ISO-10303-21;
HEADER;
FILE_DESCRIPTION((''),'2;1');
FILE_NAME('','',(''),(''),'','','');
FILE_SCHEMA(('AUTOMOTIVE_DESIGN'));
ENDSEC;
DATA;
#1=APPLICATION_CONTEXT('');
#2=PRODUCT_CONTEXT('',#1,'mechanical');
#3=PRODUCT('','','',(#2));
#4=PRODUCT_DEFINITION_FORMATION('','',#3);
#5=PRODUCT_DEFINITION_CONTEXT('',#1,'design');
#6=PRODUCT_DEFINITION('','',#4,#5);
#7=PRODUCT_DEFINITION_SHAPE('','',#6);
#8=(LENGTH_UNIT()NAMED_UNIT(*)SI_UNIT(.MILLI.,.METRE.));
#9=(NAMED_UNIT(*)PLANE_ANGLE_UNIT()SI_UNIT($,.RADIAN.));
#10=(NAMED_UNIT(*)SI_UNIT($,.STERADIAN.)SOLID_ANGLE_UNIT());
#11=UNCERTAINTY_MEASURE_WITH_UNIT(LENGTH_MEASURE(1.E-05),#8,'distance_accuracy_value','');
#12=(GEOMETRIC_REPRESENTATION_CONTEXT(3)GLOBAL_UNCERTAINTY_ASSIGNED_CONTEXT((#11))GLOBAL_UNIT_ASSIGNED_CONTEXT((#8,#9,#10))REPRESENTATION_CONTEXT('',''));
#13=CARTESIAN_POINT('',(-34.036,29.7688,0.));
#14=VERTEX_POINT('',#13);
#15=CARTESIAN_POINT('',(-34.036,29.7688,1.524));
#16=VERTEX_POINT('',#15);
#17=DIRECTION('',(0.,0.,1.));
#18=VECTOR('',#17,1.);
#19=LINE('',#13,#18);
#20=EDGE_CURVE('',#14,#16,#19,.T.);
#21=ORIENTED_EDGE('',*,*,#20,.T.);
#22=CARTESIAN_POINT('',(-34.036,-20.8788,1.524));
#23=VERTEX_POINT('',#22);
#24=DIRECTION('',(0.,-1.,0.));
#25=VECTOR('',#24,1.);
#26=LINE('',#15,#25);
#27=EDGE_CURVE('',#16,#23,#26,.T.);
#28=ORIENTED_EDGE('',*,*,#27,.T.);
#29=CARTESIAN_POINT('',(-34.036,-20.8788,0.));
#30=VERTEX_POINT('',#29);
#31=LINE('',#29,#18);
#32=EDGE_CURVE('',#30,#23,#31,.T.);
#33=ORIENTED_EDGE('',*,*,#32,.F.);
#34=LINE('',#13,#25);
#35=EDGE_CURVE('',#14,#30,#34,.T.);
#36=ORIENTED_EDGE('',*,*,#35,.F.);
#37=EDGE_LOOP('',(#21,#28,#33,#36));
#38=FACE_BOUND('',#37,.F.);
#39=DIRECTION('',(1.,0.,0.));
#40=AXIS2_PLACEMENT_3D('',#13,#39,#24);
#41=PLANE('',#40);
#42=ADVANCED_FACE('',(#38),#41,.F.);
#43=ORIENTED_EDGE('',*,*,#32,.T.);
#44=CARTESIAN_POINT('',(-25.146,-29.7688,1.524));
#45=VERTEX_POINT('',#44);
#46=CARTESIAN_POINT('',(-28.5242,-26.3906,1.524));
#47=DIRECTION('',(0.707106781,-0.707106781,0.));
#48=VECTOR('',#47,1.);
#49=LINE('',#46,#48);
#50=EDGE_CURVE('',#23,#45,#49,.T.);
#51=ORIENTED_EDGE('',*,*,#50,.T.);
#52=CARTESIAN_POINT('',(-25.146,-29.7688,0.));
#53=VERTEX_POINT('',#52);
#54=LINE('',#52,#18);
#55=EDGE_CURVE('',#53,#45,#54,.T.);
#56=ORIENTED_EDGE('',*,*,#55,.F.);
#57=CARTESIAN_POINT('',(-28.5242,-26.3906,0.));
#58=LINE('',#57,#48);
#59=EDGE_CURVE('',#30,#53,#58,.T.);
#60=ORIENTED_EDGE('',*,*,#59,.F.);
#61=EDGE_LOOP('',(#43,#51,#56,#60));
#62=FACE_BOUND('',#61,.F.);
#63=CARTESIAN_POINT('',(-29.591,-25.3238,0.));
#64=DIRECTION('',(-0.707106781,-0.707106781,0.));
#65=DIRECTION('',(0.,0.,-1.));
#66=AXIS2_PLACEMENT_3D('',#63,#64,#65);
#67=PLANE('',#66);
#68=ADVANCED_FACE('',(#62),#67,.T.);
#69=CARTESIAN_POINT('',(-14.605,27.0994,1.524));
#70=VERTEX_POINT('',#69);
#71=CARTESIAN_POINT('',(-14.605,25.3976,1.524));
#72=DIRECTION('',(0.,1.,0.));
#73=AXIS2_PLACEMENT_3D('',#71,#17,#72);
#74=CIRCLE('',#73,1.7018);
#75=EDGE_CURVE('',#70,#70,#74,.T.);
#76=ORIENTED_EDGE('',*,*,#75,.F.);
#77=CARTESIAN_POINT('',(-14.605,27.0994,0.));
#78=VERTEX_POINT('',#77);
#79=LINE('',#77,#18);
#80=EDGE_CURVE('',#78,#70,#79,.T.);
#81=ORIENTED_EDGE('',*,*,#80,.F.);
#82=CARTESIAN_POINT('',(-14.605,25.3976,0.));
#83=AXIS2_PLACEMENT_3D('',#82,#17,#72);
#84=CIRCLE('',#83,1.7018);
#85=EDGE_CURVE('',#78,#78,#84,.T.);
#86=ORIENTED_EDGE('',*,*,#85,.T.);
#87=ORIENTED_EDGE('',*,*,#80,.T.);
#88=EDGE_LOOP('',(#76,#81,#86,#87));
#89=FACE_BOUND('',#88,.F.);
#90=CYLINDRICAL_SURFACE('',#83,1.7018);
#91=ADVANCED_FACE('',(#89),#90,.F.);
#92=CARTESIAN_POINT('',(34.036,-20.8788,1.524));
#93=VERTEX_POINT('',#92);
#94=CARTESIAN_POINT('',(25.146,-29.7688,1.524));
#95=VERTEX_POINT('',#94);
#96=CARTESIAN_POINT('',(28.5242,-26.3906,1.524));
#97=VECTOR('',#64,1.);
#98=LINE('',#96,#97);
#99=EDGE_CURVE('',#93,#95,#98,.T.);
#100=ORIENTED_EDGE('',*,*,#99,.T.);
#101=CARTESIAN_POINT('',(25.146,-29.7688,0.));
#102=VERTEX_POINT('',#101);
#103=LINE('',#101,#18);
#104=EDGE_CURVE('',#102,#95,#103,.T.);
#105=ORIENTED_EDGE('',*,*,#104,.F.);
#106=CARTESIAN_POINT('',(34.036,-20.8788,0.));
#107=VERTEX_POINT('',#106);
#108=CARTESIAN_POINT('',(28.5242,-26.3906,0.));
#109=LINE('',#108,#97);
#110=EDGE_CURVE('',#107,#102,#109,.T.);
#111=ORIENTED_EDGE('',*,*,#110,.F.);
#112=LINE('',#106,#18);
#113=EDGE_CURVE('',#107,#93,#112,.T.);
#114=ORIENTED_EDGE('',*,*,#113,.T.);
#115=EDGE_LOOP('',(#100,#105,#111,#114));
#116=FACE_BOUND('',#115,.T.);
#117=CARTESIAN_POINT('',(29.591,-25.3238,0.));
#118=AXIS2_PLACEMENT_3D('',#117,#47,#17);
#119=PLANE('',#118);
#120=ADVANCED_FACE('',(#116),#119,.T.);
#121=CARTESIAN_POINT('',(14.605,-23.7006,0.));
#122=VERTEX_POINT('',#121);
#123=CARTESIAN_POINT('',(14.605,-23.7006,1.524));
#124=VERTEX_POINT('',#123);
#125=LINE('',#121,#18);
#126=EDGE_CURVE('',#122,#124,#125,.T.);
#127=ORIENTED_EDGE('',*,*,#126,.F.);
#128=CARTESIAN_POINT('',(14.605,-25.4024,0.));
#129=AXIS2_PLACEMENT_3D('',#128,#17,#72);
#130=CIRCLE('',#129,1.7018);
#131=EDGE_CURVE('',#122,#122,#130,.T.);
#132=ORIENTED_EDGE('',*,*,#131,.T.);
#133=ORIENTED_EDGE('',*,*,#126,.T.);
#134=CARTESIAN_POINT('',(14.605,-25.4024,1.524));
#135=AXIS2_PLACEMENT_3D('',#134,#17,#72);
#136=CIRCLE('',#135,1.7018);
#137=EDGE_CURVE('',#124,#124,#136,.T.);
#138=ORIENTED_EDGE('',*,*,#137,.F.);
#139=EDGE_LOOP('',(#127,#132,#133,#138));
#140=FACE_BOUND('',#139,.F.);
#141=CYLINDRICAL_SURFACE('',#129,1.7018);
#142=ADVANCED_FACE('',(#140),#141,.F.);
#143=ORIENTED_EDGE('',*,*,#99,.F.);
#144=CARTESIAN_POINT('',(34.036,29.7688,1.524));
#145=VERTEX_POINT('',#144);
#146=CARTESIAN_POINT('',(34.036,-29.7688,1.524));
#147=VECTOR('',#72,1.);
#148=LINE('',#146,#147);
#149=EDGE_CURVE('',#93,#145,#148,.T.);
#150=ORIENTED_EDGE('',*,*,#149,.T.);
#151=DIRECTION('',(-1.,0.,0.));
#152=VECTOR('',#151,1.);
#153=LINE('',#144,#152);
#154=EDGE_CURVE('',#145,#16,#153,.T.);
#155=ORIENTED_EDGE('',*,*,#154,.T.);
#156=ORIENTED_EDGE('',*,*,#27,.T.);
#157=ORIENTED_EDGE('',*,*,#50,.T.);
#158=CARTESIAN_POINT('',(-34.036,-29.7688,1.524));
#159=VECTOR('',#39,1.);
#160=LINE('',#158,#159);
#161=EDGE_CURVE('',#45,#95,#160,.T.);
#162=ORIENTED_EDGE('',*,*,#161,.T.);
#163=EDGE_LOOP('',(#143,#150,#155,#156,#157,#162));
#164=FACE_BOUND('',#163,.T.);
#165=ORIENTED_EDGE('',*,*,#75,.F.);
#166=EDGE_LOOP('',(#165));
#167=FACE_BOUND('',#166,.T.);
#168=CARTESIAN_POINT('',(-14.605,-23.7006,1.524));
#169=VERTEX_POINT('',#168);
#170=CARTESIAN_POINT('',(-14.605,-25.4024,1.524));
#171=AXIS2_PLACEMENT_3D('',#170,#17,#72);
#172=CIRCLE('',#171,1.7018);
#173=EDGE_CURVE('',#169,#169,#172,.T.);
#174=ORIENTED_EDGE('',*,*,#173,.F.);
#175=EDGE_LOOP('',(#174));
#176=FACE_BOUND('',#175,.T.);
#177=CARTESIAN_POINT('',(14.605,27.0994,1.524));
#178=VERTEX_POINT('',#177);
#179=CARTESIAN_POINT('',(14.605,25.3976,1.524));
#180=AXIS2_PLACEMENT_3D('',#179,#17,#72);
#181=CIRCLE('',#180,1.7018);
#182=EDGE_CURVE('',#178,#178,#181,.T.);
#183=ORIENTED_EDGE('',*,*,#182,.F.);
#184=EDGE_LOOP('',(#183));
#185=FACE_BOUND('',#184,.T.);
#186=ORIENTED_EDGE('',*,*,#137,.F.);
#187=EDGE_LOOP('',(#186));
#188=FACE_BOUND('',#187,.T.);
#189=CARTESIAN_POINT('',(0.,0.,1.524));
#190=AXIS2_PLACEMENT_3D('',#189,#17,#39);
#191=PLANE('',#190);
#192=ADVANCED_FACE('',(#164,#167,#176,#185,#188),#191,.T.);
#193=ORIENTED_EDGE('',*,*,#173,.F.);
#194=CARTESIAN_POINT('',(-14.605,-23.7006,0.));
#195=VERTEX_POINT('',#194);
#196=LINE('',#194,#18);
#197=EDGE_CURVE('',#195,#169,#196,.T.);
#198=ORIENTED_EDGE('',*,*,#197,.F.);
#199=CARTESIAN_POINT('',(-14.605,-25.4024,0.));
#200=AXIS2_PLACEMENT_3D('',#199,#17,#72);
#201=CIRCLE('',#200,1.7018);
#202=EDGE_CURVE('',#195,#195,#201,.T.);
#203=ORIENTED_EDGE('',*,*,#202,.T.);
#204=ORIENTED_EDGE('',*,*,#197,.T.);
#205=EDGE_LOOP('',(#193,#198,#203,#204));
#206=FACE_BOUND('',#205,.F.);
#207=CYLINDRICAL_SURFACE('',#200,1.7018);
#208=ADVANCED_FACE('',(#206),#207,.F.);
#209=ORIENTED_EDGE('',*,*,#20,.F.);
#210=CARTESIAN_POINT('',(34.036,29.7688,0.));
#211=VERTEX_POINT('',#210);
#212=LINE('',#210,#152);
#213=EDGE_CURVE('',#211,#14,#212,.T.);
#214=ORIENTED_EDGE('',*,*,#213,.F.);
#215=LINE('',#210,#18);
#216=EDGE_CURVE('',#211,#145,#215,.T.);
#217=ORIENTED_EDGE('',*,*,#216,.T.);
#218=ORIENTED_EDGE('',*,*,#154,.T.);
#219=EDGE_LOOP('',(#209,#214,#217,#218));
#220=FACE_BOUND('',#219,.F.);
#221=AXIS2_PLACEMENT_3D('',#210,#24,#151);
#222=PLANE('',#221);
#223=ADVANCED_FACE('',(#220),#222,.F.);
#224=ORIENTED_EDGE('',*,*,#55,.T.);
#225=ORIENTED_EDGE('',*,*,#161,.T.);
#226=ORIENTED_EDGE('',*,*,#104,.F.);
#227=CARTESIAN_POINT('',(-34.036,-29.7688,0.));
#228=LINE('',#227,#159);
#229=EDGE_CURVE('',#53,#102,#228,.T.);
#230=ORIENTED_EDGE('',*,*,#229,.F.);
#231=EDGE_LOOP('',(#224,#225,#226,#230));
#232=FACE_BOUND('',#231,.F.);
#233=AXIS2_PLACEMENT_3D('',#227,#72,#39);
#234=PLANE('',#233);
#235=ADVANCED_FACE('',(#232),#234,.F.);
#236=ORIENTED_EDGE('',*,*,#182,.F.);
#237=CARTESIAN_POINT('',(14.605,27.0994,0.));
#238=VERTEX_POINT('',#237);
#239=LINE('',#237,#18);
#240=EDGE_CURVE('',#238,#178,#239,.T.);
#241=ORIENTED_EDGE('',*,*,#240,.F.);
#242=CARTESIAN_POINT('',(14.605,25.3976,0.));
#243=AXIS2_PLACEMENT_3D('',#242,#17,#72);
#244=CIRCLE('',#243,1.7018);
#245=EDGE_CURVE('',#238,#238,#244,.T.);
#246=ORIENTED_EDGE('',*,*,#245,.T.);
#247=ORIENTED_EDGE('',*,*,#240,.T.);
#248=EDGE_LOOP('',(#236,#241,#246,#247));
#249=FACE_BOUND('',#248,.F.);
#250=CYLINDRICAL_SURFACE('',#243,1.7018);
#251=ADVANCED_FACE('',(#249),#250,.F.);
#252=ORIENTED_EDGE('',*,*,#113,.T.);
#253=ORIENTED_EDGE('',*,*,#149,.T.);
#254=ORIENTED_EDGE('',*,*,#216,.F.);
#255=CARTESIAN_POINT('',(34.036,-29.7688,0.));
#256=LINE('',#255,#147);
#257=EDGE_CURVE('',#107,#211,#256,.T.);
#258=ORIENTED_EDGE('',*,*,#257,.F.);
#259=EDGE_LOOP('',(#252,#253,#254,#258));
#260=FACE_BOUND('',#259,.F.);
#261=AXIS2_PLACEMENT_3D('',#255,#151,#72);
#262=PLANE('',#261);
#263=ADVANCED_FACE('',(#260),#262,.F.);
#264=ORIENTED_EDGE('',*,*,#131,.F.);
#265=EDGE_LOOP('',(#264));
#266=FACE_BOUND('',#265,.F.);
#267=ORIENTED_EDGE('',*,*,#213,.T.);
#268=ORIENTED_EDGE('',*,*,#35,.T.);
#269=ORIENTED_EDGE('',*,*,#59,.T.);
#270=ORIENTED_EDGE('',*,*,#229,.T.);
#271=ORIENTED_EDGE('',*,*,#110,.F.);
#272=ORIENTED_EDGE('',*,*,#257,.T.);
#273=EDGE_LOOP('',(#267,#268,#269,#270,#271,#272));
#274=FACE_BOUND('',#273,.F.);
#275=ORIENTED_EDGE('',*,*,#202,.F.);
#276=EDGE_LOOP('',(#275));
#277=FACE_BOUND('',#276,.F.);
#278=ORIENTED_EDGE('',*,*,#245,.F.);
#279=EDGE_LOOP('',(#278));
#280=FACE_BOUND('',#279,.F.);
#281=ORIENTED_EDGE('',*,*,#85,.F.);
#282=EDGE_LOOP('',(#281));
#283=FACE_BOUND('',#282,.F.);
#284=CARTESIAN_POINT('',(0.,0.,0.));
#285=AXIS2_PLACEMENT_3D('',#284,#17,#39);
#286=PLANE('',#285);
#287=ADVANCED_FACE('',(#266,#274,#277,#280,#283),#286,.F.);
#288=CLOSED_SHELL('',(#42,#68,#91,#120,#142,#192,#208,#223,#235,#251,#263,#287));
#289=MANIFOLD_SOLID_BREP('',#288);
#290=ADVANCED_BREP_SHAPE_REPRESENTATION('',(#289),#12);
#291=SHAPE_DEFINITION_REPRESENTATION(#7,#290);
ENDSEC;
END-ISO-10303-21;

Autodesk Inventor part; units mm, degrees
ref_plane "YZ Plane" through (0, 0, 0) normal (1, 0, 0) x (0, 1, 0)
ref_plane "XZ Plane" through (0, 0, 0) normal (0, 1, 0) x (-1, 0, 0)
ref_plane "XY Plane" through (0, 0, 0) normal (0, 0, 1) x (1, 0, 0)
sketch "Sketch1" plane through (0, 0, 0) normal (0, 0, 1) x (1, 0, 0)
  line L0 (-34.036, -29.7688) -> (34.036, -29.7688)
  line L1 (34.036, -29.7688) -> (34.036, 29.7688)
  line L2 (34.036, 29.7688) -> (-34.036, 29.7688)
  line L3 (-34.036, 29.7688) -> (-34.036, -29.7688)
  line L4 (-34.036, -29.7688) -> (34.036, 29.7688) construction
  line L5 (34.036, -29.7688) -> (-34.036, 29.7688) construction
  point P0 (0, 0)
  dimension "d0" = 68.072
  dimension "d1" = 59.5376
extrude "Extrusion1" add sketch "Sketch1" along normal blind 1.524
chamfer "Chamfer1" distance 8.89 angle 45 2 edges at (-34.036, -29.7688, 0.762) (34.036, -29.7688, 0.762)
sketch "Sketch3" plane through (0, 0, 0) normal (0, 0, -1) x (-1, 0, 0)
  circle A0 centre (-14.605, -25.4024) radius 1.7018 projected
  circle A1 centre (14.605, -25.4024) radius 1.7018 projected
  circle A2 centre (14.605, 25.3976) radius 1.7018 projected
  circle A3 centre (-14.605, 25.3976) radius 1.7018 projected
  point P0 (0, 0)
hole "Hole2" at (14.605, -25.4024, 0) at (-14.605, -25.4024, 0) at (-14.605, 25.3976, 0) at (14.605, 25.3976, 0) direction (0, 0, 1) diameter 3.4036 end through all clearance for "Flat Head Machine Screw" size "M3" standard "Ansi Metric M Profile"
properties part number "DPLX_P031_VIPE Insulation Top" material "Polyethylene, High Density"
